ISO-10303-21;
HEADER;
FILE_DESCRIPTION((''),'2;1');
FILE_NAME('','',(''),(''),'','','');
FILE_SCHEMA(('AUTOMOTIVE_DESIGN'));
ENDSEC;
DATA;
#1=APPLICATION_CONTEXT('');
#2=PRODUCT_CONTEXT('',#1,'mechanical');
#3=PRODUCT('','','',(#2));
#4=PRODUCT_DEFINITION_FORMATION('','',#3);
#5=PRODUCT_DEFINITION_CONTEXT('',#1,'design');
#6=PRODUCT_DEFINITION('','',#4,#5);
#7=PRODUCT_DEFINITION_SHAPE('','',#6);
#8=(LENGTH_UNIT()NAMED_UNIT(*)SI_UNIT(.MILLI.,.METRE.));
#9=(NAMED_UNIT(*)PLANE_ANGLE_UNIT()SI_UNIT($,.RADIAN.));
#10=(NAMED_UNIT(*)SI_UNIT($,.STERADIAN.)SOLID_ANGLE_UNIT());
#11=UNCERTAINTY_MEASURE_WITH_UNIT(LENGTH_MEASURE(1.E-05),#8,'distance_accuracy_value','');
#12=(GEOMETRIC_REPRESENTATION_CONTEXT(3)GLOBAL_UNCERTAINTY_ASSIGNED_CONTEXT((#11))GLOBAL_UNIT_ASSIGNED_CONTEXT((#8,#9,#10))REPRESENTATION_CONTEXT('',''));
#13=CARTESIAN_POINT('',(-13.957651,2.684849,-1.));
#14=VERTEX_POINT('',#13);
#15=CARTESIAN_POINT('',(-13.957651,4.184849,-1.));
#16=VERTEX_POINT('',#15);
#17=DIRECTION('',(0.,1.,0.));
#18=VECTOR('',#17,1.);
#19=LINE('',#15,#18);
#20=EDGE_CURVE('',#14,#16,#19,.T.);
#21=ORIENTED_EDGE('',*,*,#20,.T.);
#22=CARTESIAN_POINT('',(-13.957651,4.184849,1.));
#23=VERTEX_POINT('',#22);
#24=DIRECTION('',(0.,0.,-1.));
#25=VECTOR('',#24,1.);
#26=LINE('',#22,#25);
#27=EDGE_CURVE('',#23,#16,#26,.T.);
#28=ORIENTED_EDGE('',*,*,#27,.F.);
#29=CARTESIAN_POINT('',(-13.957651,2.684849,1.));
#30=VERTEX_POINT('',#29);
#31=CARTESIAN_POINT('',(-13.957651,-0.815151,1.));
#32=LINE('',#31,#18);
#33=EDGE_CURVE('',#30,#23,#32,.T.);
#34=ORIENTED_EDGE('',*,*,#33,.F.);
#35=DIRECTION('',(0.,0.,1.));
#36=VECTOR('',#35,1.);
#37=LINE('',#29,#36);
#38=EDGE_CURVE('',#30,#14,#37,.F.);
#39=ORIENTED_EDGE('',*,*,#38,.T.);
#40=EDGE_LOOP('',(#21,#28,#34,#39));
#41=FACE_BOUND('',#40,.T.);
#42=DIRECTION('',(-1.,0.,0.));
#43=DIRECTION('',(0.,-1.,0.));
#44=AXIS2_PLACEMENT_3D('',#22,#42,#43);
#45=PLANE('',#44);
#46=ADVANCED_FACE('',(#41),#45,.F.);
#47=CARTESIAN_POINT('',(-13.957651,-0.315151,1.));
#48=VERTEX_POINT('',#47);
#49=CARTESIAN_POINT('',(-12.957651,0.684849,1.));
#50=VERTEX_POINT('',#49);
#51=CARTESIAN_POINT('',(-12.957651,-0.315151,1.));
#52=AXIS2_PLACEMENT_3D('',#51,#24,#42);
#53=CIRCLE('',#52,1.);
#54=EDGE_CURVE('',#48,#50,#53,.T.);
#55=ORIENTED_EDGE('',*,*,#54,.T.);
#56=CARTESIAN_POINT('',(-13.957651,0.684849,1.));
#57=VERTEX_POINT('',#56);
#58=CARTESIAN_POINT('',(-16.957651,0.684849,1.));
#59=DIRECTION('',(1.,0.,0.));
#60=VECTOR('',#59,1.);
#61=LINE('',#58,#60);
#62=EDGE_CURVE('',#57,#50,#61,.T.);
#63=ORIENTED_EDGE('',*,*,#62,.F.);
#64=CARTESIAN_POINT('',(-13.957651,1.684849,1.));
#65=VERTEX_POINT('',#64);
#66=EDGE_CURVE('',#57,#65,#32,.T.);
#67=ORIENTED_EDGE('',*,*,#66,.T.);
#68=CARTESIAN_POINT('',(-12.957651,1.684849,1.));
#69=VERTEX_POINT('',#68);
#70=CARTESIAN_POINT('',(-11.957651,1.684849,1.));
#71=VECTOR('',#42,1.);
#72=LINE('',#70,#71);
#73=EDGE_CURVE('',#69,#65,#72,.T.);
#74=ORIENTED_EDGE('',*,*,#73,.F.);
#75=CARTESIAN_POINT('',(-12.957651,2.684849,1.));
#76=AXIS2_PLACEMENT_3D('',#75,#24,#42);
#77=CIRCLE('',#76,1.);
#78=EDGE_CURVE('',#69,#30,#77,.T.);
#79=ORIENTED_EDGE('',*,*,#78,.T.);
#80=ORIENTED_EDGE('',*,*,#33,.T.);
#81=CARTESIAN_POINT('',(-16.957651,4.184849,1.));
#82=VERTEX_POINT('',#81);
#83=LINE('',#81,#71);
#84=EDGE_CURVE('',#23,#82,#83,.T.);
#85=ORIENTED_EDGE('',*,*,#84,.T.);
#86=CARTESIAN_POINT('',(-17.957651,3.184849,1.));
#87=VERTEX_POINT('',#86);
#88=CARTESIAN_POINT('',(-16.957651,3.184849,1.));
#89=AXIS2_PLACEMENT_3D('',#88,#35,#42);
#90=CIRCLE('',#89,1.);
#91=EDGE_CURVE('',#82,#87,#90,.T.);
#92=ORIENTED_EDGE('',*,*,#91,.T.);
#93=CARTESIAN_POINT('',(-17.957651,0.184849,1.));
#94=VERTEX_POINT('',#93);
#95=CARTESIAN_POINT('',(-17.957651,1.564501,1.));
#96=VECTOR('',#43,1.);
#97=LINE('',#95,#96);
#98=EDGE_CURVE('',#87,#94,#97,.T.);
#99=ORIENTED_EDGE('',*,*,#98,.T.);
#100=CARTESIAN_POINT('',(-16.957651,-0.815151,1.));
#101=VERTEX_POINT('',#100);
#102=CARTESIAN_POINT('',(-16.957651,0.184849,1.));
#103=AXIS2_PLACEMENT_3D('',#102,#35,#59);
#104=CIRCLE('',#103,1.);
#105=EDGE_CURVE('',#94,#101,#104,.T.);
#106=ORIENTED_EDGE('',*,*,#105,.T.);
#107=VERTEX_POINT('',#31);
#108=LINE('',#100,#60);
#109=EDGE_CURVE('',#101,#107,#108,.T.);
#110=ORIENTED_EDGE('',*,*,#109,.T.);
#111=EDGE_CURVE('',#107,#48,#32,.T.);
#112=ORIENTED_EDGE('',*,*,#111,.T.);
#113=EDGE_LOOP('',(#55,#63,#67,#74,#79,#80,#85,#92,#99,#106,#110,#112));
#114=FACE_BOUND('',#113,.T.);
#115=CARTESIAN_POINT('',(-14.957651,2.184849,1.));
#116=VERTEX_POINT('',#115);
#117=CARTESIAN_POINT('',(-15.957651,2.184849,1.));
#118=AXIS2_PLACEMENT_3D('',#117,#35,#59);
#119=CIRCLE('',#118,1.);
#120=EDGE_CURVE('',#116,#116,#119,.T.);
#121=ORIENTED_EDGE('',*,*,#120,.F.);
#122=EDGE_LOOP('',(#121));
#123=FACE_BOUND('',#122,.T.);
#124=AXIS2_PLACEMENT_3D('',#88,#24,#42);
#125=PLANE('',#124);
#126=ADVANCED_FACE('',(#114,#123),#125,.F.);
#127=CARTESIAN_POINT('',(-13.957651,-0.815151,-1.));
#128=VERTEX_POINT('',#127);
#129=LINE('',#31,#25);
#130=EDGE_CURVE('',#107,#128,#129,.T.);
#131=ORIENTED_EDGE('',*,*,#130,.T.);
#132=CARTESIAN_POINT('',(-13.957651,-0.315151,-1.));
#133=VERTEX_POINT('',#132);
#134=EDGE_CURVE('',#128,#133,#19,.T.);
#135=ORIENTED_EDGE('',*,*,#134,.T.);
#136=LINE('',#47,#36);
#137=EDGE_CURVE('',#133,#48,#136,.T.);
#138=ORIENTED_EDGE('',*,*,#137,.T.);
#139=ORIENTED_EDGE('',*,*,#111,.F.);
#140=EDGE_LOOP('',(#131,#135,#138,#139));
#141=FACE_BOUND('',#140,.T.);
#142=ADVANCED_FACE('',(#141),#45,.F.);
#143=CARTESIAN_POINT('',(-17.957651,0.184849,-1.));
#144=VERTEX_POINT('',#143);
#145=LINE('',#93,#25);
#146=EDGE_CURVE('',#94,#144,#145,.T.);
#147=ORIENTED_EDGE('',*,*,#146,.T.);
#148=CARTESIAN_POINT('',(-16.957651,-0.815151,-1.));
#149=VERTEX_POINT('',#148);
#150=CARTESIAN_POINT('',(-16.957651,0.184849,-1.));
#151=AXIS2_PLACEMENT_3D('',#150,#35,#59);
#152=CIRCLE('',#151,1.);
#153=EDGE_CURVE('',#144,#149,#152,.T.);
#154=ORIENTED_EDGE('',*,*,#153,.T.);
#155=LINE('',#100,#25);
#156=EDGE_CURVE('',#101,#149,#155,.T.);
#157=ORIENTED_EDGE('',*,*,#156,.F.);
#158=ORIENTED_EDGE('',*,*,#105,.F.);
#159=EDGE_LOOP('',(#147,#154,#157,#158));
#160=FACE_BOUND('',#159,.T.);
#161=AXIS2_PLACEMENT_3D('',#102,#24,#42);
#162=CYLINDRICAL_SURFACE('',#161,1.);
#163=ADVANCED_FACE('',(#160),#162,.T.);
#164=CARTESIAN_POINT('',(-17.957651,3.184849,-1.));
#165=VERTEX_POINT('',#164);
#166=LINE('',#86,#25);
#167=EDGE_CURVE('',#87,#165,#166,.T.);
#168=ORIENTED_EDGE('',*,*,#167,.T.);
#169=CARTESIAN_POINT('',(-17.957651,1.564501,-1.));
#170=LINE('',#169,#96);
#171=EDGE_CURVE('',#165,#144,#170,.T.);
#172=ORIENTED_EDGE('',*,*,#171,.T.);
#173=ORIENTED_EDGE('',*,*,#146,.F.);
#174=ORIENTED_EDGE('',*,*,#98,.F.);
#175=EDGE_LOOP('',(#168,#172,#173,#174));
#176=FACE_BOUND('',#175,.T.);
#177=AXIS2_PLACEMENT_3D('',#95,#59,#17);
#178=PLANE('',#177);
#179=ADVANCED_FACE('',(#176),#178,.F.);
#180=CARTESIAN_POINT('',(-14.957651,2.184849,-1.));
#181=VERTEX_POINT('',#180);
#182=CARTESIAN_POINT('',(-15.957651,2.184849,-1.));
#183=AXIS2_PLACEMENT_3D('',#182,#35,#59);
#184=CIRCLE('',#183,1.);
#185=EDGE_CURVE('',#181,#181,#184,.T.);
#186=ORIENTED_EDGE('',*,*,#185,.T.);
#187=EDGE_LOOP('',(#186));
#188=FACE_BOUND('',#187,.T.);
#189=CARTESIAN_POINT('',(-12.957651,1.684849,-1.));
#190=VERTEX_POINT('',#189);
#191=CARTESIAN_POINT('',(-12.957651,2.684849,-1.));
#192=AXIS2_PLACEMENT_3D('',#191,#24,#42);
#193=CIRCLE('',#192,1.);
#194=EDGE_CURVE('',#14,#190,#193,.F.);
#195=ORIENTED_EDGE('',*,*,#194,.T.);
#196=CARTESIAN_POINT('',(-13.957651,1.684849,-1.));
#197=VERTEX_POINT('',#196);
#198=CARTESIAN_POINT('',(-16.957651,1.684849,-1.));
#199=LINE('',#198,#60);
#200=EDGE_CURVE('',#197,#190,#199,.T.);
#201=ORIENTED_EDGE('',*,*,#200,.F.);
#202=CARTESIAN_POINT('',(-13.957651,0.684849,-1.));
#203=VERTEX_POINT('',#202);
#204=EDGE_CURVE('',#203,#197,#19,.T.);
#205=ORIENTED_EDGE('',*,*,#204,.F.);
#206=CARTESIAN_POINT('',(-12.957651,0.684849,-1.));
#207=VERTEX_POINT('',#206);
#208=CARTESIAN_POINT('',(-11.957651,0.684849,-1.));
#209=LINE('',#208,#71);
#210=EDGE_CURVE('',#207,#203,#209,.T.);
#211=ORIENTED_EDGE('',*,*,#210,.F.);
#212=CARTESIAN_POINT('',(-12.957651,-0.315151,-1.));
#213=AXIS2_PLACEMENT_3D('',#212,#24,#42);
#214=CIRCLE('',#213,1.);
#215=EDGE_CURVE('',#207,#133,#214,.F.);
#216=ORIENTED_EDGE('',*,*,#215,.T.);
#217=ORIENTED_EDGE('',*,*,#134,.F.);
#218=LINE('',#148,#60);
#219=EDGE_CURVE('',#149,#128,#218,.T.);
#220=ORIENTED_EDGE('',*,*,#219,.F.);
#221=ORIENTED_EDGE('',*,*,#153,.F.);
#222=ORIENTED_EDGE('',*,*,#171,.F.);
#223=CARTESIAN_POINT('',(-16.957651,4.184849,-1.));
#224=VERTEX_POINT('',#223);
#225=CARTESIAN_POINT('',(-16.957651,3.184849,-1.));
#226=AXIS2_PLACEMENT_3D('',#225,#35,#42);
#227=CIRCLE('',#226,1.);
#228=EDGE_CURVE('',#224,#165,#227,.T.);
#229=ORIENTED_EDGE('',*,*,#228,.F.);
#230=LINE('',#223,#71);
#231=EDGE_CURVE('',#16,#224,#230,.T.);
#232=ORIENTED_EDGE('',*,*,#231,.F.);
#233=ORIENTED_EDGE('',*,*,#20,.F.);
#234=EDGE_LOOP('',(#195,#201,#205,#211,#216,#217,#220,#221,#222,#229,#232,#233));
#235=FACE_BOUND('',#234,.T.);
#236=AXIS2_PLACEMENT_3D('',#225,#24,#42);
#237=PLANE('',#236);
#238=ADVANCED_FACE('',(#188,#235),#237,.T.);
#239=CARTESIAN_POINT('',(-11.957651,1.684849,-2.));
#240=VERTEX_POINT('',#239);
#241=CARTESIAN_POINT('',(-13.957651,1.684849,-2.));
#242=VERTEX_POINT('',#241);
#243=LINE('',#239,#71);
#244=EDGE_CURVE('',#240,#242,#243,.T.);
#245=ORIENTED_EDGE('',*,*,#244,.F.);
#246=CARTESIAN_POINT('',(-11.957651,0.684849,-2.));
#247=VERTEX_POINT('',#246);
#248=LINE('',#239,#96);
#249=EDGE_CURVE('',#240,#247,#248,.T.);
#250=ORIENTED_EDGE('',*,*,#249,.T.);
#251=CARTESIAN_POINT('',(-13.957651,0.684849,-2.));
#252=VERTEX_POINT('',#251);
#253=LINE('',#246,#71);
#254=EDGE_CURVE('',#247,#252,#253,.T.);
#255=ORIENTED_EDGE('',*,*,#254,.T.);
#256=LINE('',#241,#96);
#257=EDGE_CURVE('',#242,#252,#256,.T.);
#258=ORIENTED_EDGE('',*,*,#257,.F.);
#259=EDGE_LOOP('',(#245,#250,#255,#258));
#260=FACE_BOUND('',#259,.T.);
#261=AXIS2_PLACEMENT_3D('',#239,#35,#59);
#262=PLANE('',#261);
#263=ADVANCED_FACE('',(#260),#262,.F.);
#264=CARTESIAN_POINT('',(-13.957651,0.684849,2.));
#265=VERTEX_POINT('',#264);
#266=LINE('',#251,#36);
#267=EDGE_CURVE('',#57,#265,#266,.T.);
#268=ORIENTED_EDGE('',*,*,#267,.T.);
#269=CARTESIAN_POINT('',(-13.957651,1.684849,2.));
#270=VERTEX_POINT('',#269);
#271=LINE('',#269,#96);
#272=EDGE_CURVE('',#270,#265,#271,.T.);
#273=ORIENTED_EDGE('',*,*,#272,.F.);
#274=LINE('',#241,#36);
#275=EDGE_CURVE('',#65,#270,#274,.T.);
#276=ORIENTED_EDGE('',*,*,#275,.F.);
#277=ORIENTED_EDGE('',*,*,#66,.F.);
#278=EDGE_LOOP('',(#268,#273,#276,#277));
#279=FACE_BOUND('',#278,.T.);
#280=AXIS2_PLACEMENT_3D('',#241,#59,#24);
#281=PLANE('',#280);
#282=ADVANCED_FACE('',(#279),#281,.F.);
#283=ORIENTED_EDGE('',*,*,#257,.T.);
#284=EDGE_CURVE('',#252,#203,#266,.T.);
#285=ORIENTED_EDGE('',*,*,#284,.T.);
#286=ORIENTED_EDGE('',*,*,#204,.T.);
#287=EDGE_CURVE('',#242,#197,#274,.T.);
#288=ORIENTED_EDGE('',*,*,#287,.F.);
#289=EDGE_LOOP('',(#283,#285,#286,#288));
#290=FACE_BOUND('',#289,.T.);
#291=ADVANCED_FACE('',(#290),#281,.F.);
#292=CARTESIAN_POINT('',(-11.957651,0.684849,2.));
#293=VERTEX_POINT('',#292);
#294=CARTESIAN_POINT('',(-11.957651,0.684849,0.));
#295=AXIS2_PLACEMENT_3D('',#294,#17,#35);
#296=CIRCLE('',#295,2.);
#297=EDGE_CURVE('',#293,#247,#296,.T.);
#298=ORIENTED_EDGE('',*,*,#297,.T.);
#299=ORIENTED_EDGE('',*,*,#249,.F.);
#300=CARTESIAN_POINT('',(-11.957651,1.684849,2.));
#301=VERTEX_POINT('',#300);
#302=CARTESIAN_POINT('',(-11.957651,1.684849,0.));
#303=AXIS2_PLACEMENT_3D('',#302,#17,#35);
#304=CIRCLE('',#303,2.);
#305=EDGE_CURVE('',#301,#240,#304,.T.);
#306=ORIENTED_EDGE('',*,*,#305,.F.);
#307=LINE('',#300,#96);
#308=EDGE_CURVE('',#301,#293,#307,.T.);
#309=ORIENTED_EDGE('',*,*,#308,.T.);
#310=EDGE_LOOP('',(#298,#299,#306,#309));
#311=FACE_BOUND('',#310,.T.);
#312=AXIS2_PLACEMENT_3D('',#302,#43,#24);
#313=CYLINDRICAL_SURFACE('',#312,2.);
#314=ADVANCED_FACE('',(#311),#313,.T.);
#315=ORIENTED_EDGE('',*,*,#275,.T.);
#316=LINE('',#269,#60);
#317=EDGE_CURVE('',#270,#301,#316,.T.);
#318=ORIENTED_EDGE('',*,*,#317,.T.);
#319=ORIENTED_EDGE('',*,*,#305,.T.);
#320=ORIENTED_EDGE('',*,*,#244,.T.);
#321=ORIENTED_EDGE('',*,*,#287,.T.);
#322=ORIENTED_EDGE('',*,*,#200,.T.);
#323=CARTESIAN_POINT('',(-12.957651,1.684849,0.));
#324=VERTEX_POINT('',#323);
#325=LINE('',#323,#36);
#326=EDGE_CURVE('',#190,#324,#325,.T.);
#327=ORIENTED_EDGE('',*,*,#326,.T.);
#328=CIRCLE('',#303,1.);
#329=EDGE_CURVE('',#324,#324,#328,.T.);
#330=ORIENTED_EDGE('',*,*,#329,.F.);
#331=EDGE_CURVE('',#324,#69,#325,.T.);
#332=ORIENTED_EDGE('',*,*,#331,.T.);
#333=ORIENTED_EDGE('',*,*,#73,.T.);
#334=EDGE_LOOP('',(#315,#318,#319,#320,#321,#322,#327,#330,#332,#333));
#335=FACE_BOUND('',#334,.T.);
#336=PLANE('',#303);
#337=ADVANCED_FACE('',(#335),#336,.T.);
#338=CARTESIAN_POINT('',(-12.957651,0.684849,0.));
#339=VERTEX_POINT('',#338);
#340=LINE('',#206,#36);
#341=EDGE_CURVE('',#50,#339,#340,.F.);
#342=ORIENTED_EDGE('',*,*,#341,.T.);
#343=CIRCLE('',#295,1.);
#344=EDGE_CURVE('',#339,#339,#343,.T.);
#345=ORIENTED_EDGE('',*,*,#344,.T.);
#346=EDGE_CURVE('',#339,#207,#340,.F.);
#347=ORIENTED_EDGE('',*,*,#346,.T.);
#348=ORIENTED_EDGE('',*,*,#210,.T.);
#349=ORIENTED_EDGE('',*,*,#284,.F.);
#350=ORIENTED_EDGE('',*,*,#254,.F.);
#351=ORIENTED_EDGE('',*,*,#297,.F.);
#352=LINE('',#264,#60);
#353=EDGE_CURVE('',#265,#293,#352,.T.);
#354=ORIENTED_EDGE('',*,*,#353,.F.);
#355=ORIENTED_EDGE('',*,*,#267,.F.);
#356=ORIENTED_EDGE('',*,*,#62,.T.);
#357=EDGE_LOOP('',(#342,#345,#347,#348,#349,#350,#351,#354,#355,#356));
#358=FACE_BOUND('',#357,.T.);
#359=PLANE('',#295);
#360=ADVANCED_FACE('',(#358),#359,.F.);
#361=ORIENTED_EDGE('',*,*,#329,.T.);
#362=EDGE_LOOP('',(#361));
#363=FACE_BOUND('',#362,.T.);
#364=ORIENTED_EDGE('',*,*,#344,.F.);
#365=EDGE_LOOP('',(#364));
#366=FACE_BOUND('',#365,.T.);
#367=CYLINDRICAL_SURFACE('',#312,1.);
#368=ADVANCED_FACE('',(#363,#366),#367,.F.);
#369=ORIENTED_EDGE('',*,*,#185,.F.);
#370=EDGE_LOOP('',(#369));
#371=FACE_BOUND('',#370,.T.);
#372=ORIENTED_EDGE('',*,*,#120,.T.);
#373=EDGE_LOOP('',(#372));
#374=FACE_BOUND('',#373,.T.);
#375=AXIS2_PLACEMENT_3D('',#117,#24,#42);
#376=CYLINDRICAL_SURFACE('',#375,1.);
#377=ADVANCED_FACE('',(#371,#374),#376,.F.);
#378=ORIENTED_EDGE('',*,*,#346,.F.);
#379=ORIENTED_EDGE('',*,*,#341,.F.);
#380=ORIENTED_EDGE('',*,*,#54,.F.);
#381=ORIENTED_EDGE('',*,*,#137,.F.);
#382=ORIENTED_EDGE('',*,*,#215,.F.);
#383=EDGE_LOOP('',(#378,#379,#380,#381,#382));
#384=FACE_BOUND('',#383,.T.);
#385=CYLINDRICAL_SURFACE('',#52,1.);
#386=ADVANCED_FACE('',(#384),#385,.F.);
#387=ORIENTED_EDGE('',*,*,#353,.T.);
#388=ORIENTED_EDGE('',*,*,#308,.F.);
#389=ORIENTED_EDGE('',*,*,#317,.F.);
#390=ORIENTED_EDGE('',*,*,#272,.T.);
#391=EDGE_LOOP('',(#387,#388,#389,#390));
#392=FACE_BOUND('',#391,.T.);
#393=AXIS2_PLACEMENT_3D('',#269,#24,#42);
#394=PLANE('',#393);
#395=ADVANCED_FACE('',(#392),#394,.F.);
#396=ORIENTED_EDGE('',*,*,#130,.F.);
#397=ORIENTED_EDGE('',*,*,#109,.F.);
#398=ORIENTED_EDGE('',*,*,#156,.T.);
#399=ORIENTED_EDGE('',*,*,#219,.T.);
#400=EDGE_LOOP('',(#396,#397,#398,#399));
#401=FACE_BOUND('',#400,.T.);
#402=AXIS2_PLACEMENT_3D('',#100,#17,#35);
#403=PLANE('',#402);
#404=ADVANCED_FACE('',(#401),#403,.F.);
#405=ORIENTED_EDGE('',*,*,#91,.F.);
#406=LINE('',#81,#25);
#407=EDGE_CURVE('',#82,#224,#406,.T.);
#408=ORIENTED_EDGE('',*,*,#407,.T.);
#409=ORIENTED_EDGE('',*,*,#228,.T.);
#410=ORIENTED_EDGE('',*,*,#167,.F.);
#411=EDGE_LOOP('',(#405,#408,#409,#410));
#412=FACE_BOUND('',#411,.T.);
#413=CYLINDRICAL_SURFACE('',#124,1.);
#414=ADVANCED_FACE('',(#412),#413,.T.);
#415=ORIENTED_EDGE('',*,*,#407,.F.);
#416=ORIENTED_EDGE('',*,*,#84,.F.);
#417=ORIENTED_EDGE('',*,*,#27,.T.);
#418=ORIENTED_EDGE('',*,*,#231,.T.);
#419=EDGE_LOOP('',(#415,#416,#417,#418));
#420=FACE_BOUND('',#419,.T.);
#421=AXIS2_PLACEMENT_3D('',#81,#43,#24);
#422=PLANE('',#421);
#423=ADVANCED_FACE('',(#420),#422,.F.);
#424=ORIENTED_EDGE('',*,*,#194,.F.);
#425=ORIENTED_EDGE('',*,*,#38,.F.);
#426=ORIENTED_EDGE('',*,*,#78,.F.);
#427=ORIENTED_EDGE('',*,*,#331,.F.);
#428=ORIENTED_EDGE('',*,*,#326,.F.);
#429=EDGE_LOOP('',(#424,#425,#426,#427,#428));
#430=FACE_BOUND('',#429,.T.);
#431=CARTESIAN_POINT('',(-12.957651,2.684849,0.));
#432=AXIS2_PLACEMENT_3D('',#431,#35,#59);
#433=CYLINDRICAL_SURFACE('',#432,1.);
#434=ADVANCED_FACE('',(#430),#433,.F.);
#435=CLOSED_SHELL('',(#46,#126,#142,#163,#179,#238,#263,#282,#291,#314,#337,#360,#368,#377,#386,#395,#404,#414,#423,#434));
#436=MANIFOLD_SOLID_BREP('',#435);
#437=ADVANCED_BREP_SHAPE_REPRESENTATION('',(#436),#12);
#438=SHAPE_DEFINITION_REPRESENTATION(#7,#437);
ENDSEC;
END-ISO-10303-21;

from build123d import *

# Parameters (mm, degrees)
SKETCH_1_R      = 5
EXTRUDE_1_DEPTH = 2.5
SKETCH_2_R      = 5
EXTRUDE_2_DEPTH = 5
FILLET_1_R      = 5
SCALE_1_SCALE   = 0.2


with BuildPart() as part:
    # 草圖1 → 填料-伸長1 (new, symmetric)
    with BuildSketch(Plane(origin=(0, 0, 0), x_dir=(1, 0, 0), z_dir=(0, 1, 0))):
        with BuildLine():
            Line((0, 10), (-10, 10))
            Line((-10, 10), (-10, -10))
            Line((-10, -10), (0, -10))
            ThreePointArc((0, -10), (10, 0), (0, 10))
        make_face()
        with Locations(Location((0, 0, 0), (0, 0, 270))):
            Circle(SKETCH_1_R, mode=Mode.SUBTRACT)
    extrude(amount=EXTRUDE_1_DEPTH, both=True)

    # 草圖2 → 填料-伸長2 (add, symmetric)
    with BuildSketch(Plane.XY):
        with BuildLine():
            Line((-30, 1.898257061), (-30, -5))
            ThreePointArc((-30, -5), (-28.535533906, -8.535533906), (-25, -10))
            Line((-25, -10), (-10, -10))
            Line((-10, -10), (-10, -2.5))
            Line((-10, -2.5), (-10, 2.5))
            Line((-10, 2.5), (-10, 15))
            Line((-10, 15), (-25, 15))
            ThreePointArc((-25, 15), (-28.535533906, 13.535533906), (-30, 10))
            Line((-30, 10), (-30, 1.898257061))
        make_face()
        with Locations((-20, 5)):
            Circle(SKETCH_2_R, mode=Mode.SUBTRACT)
    extrude(amount=EXTRUDE_2_DEPTH, both=True)

    # 圓角1
    fillet_1_edges = [part.edges().sort_by_distance(p)[0] for p in [
        (-10, -2.5, 0),
        (-10, 2.5, 0),
    ]]
    fillet(fillet_1_edges, radius=FILLET_1_R)


with BuildPart() as part_1:
    # 縮放比例1: scaled about (-14.947063882, 1.481061389, 0)
    add(part.part.scale(SCALE_1_SCALE).moved(Location((-11.957651106, 1.184849111, 0))))


solid = part_1.part
